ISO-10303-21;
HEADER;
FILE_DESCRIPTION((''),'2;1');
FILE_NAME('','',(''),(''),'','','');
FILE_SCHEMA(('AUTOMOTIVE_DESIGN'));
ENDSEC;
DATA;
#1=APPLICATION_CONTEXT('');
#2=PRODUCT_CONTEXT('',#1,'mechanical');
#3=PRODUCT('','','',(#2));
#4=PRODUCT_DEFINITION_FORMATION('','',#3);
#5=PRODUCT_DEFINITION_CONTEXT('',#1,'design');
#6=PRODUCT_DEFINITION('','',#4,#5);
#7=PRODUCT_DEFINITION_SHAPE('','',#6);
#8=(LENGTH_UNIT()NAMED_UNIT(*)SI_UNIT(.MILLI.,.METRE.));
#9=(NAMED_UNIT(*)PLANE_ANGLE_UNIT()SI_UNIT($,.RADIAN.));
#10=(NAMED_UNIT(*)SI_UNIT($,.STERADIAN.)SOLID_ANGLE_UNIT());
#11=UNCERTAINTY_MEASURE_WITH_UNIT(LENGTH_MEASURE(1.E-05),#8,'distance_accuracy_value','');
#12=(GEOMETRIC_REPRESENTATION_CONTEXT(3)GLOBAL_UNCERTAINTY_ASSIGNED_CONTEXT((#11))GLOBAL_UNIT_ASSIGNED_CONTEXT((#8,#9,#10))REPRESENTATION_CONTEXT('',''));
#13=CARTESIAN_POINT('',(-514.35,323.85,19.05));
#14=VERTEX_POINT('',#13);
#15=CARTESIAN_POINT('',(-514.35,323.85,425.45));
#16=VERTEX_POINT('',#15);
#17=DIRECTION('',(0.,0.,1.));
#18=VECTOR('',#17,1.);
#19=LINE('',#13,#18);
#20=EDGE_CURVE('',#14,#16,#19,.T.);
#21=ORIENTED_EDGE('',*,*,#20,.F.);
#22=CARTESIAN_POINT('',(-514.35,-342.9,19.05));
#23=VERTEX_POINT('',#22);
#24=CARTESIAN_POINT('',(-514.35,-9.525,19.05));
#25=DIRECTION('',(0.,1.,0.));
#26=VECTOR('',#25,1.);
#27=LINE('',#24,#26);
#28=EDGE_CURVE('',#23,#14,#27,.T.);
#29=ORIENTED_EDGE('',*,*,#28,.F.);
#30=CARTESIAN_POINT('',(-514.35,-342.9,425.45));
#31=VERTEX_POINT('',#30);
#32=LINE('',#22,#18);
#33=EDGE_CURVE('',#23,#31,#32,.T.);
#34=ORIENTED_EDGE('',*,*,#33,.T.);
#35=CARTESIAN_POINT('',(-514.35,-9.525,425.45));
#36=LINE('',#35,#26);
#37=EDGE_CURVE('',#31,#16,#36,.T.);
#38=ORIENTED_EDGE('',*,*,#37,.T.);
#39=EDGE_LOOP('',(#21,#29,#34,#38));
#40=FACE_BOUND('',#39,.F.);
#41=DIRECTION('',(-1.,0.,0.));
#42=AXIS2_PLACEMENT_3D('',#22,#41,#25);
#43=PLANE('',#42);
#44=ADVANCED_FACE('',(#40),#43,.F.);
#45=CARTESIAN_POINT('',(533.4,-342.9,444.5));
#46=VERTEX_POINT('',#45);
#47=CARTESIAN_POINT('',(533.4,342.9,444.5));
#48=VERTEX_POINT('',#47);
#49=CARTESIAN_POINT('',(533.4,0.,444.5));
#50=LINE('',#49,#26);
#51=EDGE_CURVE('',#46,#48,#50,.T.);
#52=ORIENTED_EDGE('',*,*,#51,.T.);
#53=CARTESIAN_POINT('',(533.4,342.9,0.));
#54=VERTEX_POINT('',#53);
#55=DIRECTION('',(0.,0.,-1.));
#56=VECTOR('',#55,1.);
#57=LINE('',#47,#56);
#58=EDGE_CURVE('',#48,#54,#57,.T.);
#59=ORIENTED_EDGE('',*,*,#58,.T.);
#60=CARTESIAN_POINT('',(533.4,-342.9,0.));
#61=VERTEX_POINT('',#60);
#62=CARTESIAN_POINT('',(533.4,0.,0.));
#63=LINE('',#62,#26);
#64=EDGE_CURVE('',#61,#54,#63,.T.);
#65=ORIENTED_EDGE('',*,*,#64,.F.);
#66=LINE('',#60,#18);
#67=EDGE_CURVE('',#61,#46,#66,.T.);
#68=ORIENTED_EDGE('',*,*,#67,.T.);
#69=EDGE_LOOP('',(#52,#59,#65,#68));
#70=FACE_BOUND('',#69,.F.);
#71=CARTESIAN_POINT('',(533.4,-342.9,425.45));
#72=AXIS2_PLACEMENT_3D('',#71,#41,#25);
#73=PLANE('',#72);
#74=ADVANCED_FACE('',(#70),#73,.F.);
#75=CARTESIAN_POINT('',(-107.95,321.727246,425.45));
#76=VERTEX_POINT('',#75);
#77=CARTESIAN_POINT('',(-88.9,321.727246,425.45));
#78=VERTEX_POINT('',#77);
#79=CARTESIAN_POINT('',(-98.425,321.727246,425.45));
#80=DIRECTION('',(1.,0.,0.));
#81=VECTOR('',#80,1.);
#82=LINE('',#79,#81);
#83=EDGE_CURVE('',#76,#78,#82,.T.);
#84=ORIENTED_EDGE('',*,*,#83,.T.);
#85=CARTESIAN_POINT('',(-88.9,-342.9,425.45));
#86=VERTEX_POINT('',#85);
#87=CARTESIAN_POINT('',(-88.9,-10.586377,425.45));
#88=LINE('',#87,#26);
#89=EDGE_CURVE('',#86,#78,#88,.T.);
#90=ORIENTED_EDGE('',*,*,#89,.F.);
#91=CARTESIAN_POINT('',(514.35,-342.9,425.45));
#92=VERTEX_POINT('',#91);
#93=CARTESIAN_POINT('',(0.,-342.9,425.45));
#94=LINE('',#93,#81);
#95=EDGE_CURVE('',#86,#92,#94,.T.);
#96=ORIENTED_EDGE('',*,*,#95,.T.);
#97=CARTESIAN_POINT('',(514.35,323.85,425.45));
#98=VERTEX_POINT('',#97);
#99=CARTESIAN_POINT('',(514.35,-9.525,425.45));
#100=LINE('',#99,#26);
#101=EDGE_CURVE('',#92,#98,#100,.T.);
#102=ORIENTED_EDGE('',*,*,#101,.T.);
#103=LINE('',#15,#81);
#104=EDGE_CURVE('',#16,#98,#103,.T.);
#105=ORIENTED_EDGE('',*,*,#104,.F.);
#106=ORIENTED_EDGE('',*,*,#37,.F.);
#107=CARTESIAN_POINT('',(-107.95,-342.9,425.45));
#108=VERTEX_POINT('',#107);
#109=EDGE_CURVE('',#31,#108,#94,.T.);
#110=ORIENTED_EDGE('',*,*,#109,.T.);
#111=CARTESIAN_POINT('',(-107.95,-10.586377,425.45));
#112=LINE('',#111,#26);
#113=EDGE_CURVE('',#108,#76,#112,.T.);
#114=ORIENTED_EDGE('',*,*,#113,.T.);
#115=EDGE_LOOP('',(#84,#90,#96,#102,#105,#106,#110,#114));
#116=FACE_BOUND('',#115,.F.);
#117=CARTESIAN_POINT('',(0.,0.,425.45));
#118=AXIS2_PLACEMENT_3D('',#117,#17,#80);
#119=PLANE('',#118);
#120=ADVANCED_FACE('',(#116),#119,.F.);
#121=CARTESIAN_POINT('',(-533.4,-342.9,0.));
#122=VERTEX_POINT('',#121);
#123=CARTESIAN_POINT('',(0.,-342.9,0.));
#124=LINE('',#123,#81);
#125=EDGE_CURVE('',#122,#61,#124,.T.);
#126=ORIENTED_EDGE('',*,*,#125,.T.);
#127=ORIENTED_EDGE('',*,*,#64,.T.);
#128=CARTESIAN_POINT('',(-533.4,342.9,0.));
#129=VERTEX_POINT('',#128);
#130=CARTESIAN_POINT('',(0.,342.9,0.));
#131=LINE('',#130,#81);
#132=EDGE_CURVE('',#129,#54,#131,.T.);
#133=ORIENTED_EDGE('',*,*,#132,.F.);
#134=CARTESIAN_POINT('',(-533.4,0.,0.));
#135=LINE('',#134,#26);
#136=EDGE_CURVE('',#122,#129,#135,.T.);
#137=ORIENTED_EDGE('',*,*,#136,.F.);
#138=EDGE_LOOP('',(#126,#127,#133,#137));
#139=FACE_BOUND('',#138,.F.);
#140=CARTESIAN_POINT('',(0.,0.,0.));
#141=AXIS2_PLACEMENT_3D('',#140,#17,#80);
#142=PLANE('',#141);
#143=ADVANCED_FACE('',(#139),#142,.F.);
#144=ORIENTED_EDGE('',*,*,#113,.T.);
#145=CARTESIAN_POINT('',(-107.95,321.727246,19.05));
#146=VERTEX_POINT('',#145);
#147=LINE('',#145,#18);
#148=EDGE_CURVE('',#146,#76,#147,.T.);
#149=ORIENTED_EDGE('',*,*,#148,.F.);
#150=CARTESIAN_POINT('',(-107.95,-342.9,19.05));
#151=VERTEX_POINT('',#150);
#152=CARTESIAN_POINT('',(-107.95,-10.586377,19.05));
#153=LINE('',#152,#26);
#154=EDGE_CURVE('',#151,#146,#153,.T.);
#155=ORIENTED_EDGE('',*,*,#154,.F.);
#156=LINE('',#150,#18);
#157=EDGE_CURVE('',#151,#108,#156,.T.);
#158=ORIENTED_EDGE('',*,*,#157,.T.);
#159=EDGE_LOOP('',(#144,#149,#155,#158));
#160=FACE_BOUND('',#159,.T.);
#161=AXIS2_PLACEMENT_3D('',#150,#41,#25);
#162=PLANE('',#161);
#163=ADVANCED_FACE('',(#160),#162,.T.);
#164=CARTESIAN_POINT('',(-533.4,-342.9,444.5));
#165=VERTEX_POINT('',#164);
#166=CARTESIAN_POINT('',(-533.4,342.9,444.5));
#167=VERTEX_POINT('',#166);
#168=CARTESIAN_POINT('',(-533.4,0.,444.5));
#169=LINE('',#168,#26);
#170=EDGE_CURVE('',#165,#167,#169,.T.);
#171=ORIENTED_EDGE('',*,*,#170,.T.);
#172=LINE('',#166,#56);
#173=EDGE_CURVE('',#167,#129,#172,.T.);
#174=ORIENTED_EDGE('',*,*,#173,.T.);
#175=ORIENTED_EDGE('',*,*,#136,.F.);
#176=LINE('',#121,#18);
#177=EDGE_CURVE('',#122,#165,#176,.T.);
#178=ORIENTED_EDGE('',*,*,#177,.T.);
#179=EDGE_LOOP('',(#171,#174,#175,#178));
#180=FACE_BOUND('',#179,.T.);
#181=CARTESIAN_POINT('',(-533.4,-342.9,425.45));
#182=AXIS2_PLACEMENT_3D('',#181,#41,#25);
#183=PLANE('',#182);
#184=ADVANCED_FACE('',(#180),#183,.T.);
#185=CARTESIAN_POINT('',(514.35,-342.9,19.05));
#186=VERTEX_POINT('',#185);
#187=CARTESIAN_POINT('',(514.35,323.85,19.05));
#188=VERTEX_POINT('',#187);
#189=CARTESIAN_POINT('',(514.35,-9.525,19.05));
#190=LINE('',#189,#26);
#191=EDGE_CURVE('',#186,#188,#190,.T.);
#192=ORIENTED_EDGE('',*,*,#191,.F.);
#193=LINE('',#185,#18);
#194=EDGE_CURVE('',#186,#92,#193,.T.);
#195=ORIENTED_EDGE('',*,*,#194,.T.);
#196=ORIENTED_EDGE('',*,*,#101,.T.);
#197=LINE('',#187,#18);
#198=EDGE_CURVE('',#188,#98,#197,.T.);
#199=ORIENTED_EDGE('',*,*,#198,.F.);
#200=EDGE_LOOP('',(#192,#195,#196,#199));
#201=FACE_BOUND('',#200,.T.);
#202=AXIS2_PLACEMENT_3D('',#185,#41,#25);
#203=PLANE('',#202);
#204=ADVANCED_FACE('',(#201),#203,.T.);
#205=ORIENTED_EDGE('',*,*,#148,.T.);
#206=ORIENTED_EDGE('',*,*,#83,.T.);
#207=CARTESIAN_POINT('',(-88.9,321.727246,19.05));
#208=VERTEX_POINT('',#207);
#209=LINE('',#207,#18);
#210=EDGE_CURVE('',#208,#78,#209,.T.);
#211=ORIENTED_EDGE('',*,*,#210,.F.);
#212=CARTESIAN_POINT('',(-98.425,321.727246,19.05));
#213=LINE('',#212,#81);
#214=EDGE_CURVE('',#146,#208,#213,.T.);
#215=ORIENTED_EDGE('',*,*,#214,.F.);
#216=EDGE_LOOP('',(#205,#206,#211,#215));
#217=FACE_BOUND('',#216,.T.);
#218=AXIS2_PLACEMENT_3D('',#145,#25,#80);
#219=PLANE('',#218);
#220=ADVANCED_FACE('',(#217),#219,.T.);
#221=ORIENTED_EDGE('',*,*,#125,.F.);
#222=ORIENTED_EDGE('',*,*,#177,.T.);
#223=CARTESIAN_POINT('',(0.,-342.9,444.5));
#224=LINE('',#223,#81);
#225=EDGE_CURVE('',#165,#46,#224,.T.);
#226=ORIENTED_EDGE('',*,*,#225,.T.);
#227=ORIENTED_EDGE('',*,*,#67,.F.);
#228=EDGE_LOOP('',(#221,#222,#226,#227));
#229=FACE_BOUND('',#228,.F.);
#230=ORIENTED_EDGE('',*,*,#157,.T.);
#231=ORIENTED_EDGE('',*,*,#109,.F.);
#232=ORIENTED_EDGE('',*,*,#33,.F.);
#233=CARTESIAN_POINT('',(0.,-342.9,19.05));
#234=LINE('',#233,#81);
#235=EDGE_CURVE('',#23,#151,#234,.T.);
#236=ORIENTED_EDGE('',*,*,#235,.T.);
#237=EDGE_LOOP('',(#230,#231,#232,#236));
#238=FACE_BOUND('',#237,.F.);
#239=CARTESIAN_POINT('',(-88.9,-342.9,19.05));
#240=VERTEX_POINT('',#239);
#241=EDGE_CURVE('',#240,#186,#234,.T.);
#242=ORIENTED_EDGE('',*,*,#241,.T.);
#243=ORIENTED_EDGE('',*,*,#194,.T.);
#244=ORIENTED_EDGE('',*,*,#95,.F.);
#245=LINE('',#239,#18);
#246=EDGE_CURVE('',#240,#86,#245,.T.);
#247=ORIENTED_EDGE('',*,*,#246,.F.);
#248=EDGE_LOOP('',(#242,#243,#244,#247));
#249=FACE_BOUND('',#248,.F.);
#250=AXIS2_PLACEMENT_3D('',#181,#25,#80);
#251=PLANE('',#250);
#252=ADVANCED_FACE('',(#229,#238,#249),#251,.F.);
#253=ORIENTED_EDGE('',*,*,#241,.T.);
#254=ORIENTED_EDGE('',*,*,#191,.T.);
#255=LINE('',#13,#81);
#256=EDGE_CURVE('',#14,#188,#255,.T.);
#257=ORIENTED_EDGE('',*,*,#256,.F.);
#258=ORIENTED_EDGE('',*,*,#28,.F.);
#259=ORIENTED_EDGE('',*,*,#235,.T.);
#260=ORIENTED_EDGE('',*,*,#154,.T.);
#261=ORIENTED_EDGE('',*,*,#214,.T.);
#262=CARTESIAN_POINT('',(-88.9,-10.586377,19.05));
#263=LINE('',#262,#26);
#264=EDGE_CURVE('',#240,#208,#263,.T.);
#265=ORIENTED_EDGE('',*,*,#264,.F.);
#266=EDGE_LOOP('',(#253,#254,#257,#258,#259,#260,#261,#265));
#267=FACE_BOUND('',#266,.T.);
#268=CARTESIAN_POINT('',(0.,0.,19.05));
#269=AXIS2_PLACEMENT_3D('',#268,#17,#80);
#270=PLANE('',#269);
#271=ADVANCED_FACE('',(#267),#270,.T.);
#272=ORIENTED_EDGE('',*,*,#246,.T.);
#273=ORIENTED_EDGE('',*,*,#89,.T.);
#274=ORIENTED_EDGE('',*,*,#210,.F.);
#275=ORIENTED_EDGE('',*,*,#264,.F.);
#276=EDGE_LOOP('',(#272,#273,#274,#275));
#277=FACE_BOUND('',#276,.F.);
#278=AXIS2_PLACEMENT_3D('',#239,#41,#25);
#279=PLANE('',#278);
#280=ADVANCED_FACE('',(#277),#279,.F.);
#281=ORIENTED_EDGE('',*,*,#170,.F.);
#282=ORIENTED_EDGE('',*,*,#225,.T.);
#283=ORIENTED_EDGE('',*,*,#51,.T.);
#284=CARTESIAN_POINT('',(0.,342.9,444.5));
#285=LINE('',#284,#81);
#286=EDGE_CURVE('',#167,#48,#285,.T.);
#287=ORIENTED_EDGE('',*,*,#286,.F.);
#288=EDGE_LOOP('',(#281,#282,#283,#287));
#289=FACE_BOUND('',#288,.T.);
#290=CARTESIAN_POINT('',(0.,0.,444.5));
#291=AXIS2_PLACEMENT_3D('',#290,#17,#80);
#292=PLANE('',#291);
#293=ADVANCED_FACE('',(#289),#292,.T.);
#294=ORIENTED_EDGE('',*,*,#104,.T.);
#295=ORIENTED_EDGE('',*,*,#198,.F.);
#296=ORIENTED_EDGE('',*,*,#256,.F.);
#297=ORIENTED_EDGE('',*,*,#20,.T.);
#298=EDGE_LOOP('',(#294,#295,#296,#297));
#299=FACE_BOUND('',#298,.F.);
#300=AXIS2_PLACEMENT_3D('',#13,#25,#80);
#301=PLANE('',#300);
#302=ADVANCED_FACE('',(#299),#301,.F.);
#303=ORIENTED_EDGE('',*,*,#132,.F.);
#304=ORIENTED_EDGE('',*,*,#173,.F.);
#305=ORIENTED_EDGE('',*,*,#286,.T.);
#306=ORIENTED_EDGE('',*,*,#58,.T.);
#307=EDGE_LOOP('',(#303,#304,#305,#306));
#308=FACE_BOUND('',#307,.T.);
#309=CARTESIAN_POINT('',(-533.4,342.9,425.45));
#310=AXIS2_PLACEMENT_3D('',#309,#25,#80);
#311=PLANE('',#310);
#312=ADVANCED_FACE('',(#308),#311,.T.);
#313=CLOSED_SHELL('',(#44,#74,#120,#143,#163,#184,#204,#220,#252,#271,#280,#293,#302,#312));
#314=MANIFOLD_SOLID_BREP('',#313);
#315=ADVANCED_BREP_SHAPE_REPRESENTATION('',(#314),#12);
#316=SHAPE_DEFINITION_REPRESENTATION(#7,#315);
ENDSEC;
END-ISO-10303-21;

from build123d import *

# Parameters (mm, degrees)
F0_W     = 1066.8
F0_H     = 685.8
F1_DEPTH = 19.05
F2_W     = 19.05
F2_H     = 666.75
F2_H_2   = 664.6272460461
F3_DEPTH = 406.4
F5_W     = 1066.8
F5_H     = 685.8
F6_DEPTH = 19.05


with BuildPart() as f1:
    # F0 (on Top) → F1 (new body)
    with BuildSketch(Plane.XY):
        Rectangle(F0_W, F0_H)
    extrude(amount=F1_DEPTH)

    # F2 (on face) → F3 (join)
    with BuildSketch(Plane.XY.offset(19.05)):
        with Locations((-523.875, -9.525)):
            Rectangle(F2_W, F2_H)
        Polygon((-533.4, 323.85), (-514.35, 323.85), (514.35, 323.85), (533.4, 323.85), (533.4, 342.9), (-533.4, 342.9), align=None)
        with Locations((523.875, -9.525)):
            Rectangle(F2_W, F2_H)
        with Locations((-98.425, -10.586376977)):
            Rectangle(F2_W, F2_H_2)
    extrude(amount=F3_DEPTH)

    # F5 (on offset) → F6 (join)
    with BuildSketch(Plane.XY.offset(425.45)):
        Rectangle(F5_W, F5_H)
    extrude(amount=F6_DEPTH)


solid = f1.part
